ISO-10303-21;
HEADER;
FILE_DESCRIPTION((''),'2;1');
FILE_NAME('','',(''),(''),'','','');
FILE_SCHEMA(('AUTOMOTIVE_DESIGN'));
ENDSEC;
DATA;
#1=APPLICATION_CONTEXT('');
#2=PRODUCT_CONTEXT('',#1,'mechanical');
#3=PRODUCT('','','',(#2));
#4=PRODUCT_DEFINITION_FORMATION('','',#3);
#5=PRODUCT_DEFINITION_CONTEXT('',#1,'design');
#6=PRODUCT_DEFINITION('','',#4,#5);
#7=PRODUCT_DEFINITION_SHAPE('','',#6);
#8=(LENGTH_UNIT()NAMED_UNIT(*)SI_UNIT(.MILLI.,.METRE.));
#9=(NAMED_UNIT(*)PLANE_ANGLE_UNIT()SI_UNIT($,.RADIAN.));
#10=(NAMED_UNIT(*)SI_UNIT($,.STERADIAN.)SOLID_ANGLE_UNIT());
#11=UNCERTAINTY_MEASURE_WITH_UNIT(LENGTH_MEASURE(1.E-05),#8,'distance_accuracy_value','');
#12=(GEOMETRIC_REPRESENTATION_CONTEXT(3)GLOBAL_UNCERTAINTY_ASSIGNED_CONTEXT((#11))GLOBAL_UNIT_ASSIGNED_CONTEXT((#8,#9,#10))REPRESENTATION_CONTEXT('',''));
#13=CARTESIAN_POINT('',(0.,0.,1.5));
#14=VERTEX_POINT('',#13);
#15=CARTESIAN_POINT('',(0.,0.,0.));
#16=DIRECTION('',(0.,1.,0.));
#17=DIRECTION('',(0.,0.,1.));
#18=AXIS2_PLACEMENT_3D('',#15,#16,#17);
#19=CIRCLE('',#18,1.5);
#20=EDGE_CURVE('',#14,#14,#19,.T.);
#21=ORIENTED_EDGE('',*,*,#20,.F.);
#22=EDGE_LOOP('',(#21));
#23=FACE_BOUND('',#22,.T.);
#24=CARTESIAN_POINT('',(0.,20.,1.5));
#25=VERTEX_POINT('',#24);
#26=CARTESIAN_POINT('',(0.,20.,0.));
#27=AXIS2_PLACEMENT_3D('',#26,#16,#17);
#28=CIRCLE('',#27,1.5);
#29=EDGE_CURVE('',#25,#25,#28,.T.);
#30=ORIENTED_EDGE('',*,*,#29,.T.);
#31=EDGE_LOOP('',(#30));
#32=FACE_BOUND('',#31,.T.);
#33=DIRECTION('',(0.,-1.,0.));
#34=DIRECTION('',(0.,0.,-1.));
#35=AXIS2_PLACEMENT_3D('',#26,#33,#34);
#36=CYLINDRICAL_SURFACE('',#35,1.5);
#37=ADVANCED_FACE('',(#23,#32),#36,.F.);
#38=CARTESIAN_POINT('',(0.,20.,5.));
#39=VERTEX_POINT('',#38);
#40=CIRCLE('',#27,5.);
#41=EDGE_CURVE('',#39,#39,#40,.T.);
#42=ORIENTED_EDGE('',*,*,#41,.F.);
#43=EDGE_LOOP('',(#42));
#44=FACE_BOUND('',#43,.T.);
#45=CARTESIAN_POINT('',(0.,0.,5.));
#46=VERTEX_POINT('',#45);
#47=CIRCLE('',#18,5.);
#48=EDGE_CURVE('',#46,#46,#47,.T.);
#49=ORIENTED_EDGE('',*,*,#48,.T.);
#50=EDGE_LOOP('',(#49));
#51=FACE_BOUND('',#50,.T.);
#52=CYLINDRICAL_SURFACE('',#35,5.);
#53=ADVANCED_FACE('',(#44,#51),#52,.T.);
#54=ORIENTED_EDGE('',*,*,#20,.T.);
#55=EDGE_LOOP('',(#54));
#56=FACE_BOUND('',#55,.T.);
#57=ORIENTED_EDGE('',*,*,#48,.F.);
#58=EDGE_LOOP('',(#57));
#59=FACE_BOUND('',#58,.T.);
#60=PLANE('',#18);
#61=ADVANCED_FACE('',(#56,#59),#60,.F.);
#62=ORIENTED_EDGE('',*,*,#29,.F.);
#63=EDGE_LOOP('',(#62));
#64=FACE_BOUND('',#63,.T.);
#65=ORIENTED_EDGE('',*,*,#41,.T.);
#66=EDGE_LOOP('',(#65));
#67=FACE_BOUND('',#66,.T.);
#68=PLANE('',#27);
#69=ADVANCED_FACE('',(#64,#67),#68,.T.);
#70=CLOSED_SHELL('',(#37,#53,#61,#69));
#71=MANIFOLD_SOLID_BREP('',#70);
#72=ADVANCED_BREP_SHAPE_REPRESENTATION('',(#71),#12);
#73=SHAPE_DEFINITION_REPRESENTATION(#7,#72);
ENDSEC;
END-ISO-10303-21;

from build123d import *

# Parameters (mm, degrees)
SKETCH1_R           = 5
SKETCH1_R_2         = 1.5
BOSS_EXTRUDE1_DEPTH = 20


with BuildPart() as part:
    # Sketch1 → Boss-Extrude1 (new body)
    with BuildSketch(Plane(origin=(0, 0, 0), x_dir=(1, 0, 0), z_dir=(0, 1, 0))):
        with Locations(Location((0, 0, 0), (0, 0, 270))):
            Circle(SKETCH1_R)
        with Locations(Location((0, 0, 0), (0, 0, 270))):
            Circle(SKETCH1_R_2, mode=Mode.SUBTRACT)
    extrude(amount=BOSS_EXTRUDE1_DEPTH)


solid = part.part
